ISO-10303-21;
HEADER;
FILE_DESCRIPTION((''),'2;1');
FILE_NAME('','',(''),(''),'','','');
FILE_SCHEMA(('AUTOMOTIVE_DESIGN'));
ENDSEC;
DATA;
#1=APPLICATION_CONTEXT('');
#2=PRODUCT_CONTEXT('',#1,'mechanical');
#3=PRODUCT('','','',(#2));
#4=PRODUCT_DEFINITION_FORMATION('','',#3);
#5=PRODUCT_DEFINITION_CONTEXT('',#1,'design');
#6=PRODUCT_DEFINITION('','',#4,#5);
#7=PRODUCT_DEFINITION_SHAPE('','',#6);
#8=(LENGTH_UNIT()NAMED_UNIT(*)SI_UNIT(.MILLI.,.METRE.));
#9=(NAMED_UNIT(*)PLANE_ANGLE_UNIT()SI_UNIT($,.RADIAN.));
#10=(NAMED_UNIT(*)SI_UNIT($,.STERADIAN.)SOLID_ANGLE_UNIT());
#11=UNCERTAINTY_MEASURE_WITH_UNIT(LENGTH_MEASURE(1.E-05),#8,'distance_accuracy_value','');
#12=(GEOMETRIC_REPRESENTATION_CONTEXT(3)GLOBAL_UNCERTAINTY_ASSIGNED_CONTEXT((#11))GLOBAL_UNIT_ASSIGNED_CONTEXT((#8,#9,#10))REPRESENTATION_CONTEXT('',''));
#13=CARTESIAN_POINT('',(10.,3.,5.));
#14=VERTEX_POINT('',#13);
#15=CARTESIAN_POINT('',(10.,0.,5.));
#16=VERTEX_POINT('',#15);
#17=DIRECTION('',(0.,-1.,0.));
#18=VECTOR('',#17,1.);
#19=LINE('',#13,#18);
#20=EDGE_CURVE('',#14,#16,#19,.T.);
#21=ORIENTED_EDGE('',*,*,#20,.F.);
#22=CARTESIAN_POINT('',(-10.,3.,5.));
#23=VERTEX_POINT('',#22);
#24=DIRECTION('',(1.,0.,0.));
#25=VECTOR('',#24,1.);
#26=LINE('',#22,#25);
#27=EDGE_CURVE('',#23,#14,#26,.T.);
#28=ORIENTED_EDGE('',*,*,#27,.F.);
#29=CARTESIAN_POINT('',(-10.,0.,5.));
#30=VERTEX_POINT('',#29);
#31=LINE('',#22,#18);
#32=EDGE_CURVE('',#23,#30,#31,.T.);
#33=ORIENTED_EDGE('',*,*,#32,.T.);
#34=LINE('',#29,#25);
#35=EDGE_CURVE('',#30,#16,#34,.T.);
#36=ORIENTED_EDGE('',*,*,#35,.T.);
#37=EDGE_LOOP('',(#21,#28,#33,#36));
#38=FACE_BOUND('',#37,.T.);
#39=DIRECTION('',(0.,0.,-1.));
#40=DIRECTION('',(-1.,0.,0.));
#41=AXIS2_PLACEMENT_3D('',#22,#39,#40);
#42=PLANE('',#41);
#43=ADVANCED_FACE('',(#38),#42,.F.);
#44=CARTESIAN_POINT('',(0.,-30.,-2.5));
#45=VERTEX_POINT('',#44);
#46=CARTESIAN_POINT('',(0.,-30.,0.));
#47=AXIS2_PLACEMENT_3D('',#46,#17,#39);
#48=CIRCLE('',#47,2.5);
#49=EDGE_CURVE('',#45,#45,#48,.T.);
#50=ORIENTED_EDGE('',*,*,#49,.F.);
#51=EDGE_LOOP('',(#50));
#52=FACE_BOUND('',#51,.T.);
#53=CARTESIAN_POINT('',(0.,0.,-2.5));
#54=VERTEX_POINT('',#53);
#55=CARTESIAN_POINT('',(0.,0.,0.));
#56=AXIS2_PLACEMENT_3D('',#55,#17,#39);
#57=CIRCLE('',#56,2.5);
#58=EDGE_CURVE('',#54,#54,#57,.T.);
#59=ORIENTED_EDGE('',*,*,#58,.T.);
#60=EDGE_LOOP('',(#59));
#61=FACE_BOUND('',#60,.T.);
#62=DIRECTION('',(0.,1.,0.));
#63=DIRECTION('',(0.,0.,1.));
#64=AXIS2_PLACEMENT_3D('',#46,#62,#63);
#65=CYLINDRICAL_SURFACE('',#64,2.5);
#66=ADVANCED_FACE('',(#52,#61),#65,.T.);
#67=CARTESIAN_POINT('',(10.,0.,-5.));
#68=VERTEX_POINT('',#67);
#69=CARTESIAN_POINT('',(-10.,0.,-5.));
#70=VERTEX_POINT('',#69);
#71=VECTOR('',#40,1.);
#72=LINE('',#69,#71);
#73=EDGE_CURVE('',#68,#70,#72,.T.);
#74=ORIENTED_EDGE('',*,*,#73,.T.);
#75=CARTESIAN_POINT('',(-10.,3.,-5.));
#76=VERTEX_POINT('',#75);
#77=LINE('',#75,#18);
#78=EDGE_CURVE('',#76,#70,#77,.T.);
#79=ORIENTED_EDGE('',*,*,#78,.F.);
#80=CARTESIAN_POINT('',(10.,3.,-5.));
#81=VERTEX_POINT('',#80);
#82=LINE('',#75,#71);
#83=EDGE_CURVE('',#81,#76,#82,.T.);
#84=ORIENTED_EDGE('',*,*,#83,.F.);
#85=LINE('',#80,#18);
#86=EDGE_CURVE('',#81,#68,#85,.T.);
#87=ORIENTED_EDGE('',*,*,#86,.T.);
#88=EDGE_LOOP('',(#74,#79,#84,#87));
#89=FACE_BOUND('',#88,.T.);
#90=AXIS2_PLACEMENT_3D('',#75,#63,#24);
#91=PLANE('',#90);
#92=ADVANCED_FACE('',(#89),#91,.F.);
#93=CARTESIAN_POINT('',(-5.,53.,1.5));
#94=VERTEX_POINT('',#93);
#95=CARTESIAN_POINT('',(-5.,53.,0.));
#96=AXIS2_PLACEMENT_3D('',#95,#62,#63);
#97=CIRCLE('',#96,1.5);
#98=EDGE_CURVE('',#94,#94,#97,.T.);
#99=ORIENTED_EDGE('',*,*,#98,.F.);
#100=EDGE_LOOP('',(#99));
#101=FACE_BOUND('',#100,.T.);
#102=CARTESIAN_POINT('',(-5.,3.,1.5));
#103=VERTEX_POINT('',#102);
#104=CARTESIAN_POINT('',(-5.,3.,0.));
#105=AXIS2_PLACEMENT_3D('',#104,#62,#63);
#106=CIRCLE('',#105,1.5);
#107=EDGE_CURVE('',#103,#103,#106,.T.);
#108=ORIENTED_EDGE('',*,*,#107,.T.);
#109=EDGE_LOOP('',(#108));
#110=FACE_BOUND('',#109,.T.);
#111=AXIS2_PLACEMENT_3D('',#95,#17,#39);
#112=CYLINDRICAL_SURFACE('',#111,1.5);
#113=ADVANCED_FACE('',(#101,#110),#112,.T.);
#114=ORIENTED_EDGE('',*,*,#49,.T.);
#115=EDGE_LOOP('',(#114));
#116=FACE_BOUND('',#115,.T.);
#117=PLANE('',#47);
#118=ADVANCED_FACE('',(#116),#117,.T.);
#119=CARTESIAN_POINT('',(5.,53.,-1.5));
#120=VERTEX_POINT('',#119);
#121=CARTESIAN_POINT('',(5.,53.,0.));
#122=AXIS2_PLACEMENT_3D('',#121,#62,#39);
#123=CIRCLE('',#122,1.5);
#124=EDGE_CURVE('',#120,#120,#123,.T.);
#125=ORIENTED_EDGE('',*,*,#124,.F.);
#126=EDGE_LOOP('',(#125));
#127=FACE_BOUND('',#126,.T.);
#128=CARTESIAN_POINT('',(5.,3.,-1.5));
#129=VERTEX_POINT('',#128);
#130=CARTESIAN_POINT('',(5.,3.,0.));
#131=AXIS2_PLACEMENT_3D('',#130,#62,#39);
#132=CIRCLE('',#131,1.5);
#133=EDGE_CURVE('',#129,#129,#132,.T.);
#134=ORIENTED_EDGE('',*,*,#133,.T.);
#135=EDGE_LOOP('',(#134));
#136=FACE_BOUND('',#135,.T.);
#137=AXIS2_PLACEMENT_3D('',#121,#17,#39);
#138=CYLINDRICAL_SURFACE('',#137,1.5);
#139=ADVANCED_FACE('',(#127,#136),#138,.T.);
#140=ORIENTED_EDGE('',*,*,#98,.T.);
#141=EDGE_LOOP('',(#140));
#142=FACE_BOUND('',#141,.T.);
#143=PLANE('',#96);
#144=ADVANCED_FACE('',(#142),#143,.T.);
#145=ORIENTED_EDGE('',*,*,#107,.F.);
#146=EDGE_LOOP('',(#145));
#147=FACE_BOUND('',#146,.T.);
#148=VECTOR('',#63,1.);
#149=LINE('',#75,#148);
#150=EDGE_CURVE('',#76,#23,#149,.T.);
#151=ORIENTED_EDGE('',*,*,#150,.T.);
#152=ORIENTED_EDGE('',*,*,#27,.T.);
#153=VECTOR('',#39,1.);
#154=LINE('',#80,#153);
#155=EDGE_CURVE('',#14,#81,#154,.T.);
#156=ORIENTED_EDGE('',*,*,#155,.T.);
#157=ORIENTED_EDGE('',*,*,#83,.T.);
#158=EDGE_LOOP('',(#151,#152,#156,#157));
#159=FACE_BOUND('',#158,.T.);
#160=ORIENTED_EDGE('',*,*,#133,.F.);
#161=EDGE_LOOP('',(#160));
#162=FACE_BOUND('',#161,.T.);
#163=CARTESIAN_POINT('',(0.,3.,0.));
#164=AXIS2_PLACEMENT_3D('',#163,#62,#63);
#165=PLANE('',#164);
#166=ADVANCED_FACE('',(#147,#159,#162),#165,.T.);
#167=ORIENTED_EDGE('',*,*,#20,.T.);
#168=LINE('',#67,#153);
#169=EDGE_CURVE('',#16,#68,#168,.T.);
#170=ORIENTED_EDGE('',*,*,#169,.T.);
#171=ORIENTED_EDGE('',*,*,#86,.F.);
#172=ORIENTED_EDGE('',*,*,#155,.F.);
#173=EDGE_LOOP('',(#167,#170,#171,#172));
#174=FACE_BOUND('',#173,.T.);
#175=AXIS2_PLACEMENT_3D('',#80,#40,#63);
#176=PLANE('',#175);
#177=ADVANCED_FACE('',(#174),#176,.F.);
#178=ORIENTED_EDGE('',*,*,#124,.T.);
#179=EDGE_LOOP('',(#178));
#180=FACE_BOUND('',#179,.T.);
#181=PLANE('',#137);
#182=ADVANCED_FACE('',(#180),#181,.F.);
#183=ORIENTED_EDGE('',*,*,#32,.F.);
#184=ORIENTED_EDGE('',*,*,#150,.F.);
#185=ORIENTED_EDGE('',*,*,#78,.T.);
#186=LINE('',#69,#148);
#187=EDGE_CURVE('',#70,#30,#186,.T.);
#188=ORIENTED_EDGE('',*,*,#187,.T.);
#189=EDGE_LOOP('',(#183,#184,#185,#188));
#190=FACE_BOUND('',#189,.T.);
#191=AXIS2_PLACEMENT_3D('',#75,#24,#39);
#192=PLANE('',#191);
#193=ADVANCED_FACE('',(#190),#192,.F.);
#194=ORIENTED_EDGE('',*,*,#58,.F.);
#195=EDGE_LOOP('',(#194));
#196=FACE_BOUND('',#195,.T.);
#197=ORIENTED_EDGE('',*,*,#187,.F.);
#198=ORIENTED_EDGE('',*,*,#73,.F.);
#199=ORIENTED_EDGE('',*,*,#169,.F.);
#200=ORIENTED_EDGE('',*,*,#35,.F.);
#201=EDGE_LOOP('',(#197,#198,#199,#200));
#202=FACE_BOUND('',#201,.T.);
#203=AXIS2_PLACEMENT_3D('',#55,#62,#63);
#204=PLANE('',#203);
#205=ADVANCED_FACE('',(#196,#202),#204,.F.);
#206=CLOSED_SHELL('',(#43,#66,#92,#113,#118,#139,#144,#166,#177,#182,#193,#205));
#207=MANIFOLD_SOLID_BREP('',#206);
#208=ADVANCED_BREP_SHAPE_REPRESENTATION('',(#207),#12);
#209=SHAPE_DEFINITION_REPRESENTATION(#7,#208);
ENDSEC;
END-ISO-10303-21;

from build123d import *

# Parameters (mm, degrees)
SKETCH1_W           = 20
SKETCH1_H           = 10
BOSS_EXTRUDE1_DEPTH = 3
SKETCH2_R           = 1.5
BOSS_EXTRUDE2_DEPTH = 50
SKETCH3_R           = 2.5
BOSS_EXTRUDE3_DEPTH = 30


with BuildPart() as part:
    # Sketch1 → Boss-Extrude1 (new body)
    with BuildSketch(Plane(origin=(0, 0, 0), x_dir=(1, 0, 0), z_dir=(0, 1, 0))):
        Rectangle(SKETCH1_W, SKETCH1_H)
    extrude(amount=BOSS_EXTRUDE1_DEPTH)

    # Sketch2 → Boss-Extrude2 (add)
    with BuildSketch(Plane(origin=(0, 3, 0), x_dir=(1, 0, 0), z_dir=(0, 1, 0))):
        with Locations((-5, 0)):
            Circle(SKETCH2_R)
        with Locations((5, 0)):
            Circle(SKETCH2_R)
    extrude(amount=BOSS_EXTRUDE2_DEPTH)

    # Sketch3 → Boss-Extrude3 (add)
    with BuildSketch(Plane.XZ):
        Circle(SKETCH3_R)
    extrude(amount=BOSS_EXTRUDE3_DEPTH)


solid = part.part
